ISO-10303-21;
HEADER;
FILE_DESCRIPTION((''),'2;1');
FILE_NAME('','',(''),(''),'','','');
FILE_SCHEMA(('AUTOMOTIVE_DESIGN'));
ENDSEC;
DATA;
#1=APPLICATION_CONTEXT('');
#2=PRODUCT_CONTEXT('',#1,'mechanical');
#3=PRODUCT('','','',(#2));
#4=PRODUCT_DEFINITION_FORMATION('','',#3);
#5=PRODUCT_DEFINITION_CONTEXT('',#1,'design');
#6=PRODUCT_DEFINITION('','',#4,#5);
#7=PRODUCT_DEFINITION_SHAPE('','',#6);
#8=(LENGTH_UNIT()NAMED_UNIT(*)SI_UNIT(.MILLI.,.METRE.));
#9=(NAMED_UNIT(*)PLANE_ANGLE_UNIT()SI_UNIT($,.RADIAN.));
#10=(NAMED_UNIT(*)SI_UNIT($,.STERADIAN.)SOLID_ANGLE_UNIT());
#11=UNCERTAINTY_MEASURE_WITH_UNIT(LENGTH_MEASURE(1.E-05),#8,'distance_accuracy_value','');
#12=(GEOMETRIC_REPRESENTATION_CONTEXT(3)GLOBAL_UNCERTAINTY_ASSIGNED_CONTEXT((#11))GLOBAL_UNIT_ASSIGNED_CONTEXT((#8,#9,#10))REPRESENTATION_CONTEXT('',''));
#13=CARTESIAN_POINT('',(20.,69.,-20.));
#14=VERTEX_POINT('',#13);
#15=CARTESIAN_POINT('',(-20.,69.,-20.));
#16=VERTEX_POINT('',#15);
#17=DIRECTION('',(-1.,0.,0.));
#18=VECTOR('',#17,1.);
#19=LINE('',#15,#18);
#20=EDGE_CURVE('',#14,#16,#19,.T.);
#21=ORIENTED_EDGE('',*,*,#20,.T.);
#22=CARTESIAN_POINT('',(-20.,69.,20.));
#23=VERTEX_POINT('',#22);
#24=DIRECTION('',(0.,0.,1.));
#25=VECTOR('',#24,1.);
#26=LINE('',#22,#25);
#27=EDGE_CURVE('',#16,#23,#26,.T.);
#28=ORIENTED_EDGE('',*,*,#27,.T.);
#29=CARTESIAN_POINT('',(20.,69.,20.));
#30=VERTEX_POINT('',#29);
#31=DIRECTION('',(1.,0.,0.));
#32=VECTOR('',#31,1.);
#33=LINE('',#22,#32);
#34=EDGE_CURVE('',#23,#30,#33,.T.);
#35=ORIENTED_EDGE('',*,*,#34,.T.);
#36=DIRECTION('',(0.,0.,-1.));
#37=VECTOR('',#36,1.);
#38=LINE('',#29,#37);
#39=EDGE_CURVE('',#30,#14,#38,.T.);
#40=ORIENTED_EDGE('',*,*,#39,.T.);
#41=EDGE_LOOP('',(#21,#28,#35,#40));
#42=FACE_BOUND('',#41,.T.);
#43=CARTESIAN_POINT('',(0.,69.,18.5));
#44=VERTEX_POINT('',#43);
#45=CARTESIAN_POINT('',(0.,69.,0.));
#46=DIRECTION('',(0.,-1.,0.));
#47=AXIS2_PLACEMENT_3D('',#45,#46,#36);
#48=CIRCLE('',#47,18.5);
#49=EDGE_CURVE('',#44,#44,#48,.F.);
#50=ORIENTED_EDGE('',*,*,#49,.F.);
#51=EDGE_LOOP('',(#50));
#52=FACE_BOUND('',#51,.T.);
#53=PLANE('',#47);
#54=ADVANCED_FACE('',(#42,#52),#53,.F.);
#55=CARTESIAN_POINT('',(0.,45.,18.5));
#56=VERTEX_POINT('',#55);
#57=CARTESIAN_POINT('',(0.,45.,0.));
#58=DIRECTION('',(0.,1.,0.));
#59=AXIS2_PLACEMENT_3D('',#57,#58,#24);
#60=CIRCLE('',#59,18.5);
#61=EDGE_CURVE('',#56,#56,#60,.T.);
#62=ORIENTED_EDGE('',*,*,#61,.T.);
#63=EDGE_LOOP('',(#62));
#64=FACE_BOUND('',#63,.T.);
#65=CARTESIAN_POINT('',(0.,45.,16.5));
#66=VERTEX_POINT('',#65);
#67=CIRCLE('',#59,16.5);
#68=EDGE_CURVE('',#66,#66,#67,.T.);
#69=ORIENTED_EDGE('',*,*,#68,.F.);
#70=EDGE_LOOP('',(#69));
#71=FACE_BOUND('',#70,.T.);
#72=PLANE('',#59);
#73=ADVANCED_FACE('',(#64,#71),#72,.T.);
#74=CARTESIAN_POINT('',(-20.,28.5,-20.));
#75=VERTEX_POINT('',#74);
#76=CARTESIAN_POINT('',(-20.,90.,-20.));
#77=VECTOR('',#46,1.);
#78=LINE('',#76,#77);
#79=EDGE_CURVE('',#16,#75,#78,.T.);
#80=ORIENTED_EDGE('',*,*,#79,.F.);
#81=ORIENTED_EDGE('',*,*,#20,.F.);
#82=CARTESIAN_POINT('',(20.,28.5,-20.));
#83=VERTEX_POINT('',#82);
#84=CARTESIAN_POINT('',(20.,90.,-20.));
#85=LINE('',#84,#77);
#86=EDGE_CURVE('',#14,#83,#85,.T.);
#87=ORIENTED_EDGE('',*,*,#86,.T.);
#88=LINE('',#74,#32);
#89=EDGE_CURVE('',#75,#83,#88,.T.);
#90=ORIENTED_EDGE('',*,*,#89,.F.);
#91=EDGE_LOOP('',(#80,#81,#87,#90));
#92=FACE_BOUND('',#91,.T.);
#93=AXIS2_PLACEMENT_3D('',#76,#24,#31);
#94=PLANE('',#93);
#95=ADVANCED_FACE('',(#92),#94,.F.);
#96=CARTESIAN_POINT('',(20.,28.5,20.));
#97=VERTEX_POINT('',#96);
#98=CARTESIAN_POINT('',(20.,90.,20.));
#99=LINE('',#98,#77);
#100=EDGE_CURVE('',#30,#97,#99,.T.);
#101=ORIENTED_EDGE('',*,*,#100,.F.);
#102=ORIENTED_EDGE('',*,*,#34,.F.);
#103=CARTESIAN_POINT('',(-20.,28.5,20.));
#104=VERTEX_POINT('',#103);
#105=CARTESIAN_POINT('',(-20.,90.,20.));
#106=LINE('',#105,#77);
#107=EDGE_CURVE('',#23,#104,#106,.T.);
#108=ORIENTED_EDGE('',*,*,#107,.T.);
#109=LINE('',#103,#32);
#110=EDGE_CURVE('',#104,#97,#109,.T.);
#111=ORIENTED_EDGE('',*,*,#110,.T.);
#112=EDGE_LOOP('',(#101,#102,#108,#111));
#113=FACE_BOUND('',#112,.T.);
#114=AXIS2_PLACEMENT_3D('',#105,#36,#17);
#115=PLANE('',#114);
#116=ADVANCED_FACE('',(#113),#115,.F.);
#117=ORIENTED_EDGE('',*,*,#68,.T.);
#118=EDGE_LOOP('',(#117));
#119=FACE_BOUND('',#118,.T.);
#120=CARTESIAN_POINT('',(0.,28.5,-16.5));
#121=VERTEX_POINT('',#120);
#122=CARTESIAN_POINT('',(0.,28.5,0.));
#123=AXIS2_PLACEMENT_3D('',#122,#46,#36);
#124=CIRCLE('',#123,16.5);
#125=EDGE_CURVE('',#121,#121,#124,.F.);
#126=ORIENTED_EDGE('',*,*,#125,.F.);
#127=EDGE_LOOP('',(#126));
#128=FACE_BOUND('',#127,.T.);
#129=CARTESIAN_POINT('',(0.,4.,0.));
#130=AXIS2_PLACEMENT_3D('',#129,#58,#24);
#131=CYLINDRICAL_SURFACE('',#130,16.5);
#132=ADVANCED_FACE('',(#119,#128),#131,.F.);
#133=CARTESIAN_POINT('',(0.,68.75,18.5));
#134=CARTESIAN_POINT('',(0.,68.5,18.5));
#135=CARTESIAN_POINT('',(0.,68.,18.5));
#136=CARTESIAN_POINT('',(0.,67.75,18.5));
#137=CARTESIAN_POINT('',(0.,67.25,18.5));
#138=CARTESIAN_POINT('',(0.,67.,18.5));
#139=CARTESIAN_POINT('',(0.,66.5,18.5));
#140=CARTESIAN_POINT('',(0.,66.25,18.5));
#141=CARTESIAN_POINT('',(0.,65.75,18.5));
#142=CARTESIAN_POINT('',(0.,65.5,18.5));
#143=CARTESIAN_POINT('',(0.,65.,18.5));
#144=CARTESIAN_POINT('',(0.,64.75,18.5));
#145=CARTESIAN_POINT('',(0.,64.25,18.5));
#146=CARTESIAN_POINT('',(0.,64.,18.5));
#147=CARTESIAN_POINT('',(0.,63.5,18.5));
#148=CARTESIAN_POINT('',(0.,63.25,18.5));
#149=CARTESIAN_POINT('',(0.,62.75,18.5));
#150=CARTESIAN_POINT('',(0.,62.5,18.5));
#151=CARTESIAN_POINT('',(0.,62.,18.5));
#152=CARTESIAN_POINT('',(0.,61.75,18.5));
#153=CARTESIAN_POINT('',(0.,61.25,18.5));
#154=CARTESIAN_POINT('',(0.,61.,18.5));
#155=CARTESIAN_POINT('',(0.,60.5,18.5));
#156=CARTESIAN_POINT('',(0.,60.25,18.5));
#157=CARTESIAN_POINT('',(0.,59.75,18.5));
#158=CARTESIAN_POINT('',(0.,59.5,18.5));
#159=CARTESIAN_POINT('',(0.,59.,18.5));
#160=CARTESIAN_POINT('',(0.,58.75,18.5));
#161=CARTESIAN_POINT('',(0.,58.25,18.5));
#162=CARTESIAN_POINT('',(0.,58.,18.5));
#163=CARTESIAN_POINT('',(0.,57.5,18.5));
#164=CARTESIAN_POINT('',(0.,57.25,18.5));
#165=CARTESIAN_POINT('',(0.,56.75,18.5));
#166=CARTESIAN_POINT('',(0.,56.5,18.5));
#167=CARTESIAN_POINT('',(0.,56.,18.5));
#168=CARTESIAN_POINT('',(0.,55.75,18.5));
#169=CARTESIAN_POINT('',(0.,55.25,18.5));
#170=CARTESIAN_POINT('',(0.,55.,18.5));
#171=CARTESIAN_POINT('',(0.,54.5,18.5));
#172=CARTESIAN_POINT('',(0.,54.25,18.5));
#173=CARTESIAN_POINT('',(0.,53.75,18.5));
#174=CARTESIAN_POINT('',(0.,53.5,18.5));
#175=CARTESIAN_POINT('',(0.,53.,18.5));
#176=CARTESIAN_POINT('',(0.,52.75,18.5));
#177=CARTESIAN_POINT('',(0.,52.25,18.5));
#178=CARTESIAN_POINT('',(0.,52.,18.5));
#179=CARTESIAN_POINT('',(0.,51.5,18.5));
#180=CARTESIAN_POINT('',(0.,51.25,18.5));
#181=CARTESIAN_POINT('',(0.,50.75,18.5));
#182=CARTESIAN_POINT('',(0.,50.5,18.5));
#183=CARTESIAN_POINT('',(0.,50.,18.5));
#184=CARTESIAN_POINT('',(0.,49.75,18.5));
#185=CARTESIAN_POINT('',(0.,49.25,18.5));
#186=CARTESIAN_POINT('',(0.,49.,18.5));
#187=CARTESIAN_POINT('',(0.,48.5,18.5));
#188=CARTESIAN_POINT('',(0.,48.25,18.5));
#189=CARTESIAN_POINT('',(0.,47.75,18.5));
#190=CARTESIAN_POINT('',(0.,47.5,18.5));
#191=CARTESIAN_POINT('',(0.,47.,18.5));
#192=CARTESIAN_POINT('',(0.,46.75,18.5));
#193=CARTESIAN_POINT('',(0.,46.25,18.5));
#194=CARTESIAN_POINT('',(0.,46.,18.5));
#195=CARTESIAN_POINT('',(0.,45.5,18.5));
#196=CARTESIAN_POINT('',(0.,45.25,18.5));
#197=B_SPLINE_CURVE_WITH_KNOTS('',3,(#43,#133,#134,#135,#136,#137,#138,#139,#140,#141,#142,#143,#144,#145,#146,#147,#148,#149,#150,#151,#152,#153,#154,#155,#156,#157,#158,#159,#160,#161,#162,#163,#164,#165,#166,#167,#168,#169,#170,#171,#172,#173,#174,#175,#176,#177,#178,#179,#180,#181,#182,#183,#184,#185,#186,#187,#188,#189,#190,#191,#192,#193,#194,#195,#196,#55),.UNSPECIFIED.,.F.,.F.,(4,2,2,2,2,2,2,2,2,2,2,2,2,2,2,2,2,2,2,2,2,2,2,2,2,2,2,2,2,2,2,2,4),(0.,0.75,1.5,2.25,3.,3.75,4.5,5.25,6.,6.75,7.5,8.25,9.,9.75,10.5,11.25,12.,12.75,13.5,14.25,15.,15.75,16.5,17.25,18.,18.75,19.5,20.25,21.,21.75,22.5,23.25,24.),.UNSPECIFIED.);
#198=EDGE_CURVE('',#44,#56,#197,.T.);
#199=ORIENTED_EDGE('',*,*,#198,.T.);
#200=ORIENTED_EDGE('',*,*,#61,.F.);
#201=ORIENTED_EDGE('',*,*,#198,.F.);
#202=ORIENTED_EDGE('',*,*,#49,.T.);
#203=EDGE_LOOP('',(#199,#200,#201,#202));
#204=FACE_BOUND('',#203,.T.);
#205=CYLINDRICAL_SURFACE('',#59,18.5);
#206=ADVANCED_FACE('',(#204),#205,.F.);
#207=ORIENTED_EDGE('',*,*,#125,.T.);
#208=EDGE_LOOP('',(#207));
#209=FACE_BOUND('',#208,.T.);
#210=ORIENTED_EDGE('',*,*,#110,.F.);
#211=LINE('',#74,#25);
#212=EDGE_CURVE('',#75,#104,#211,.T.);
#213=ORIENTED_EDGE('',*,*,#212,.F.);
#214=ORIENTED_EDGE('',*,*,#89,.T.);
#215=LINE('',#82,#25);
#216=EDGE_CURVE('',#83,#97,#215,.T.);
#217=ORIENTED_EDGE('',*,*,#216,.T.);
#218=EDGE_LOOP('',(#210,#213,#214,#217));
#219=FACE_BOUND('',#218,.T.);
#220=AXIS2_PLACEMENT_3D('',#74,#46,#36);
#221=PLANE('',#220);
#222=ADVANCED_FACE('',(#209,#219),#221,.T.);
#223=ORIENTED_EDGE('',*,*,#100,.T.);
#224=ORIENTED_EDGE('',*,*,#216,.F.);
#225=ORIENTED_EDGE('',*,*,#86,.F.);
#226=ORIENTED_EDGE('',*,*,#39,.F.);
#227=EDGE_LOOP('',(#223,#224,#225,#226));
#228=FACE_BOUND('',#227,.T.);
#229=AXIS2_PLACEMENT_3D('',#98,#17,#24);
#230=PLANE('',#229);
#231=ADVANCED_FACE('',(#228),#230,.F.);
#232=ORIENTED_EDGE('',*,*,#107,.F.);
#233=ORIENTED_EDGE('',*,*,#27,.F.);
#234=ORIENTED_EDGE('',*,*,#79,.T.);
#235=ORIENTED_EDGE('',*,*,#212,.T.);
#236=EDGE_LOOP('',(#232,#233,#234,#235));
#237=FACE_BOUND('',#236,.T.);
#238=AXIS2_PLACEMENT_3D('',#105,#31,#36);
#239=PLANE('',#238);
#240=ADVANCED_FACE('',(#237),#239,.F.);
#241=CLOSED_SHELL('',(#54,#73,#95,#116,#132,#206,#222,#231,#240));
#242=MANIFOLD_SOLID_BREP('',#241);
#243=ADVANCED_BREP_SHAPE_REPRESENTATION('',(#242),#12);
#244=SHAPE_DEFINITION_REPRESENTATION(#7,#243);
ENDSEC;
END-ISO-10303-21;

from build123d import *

# Parameters (mm, degrees)
SKETCH1_W           = 40
SKETCH1_H           = 40
BOSS_EXTRUDE1_DEPTH = 90
SKETCH2_R           = 18.5
CUT_EXTRUDE1_DEPTH  = 45
SKETCH3_R           = 16.5
CUT_EXTRUDE2_DEPTH  = 41
SKETCH4_W           = 40
SKETCH4_H           = 40
CUT_EXTRUDE3_DEPTH  = 21
SKETCH6_W           = 20
SKETCH6_H           = 15
CUT_EXTRUDE4_DEPTH  = 83.225300243
SKETCH8_W           = 20
SKETCH8_H           = 15
CUT_EXTRUDE5_DEPTH  = 83.225300243
SKETCH11_W          = 40
SKETCH11_H          = 28.5
CUT_EXTRUDE8_DEPTH  = 83.225300243


with BuildPart() as part:
    # Sketch1 → Boss-Extrude1 (new body)
    with BuildSketch(Plane(origin=(0, 0, 0), x_dir=(1, 0, 0), z_dir=(0, 1, 0))):
        Rectangle(SKETCH1_W, SKETCH1_H)
    extrude(amount=BOSS_EXTRUDE1_DEPTH)

    # Sketch2 → Cut-Extrude1 (cut)
    with BuildSketch(Plane(origin=(0, 90, 0), x_dir=(1, 0, 0), z_dir=(0, 1, 0))):
        with Locations(Location((0, 0, 0), (0, 0, 270))):
            Circle(SKETCH2_R)
    extrude(amount=-CUT_EXTRUDE1_DEPTH, mode=Mode.SUBTRACT)

    # Sketch3 → Cut-Extrude2 (cut)
    with BuildSketch(Plane(origin=(0, 45, 0), x_dir=(1, 0, 0), z_dir=(0, 1, 0))):
        with Locations(Location((0, 0, 0), (0, 0, 270))):
            Circle(SKETCH3_R)
    extrude(amount=-CUT_EXTRUDE2_DEPTH, mode=Mode.SUBTRACT)

    # Sketch4 → Cut-Extrude3 (cut)
    with BuildSketch(Plane(origin=(0, 90, 0), x_dir=(1, 0, 0), z_dir=(0, 1, 0))):
        Rectangle(SKETCH4_W, SKETCH4_H)
    extrude(amount=-CUT_EXTRUDE3_DEPTH, mode=Mode.SUBTRACT)

    # Sketch6 → Cut-Extrude4 (cut, through all)
    with BuildSketch(Plane.XY.offset(20)):
        with Locations((0, 15)):
            Rectangle(SKETCH6_W, SKETCH6_H)
    extrude(amount=-CUT_EXTRUDE4_DEPTH, mode=Mode.SUBTRACT)

    # Sketch8 → Cut-Extrude5 (cut, through all)
    with BuildSketch(Plane.ZY.offset(20)):
        with Locations((0, 15)):
            Rectangle(SKETCH8_W, SKETCH8_H)
    extrude(amount=-CUT_EXTRUDE5_DEPTH, mode=Mode.SUBTRACT)

    # Sketch11 → Cut-Extrude8 (cut, through all)
    with BuildSketch(Plane.XY.offset(20)):
        with Locations((0, 14.25)):
            Rectangle(SKETCH11_W, SKETCH11_H)
    extrude(amount=-CUT_EXTRUDE8_DEPTH, mode=Mode.SUBTRACT)


solid = part.part
